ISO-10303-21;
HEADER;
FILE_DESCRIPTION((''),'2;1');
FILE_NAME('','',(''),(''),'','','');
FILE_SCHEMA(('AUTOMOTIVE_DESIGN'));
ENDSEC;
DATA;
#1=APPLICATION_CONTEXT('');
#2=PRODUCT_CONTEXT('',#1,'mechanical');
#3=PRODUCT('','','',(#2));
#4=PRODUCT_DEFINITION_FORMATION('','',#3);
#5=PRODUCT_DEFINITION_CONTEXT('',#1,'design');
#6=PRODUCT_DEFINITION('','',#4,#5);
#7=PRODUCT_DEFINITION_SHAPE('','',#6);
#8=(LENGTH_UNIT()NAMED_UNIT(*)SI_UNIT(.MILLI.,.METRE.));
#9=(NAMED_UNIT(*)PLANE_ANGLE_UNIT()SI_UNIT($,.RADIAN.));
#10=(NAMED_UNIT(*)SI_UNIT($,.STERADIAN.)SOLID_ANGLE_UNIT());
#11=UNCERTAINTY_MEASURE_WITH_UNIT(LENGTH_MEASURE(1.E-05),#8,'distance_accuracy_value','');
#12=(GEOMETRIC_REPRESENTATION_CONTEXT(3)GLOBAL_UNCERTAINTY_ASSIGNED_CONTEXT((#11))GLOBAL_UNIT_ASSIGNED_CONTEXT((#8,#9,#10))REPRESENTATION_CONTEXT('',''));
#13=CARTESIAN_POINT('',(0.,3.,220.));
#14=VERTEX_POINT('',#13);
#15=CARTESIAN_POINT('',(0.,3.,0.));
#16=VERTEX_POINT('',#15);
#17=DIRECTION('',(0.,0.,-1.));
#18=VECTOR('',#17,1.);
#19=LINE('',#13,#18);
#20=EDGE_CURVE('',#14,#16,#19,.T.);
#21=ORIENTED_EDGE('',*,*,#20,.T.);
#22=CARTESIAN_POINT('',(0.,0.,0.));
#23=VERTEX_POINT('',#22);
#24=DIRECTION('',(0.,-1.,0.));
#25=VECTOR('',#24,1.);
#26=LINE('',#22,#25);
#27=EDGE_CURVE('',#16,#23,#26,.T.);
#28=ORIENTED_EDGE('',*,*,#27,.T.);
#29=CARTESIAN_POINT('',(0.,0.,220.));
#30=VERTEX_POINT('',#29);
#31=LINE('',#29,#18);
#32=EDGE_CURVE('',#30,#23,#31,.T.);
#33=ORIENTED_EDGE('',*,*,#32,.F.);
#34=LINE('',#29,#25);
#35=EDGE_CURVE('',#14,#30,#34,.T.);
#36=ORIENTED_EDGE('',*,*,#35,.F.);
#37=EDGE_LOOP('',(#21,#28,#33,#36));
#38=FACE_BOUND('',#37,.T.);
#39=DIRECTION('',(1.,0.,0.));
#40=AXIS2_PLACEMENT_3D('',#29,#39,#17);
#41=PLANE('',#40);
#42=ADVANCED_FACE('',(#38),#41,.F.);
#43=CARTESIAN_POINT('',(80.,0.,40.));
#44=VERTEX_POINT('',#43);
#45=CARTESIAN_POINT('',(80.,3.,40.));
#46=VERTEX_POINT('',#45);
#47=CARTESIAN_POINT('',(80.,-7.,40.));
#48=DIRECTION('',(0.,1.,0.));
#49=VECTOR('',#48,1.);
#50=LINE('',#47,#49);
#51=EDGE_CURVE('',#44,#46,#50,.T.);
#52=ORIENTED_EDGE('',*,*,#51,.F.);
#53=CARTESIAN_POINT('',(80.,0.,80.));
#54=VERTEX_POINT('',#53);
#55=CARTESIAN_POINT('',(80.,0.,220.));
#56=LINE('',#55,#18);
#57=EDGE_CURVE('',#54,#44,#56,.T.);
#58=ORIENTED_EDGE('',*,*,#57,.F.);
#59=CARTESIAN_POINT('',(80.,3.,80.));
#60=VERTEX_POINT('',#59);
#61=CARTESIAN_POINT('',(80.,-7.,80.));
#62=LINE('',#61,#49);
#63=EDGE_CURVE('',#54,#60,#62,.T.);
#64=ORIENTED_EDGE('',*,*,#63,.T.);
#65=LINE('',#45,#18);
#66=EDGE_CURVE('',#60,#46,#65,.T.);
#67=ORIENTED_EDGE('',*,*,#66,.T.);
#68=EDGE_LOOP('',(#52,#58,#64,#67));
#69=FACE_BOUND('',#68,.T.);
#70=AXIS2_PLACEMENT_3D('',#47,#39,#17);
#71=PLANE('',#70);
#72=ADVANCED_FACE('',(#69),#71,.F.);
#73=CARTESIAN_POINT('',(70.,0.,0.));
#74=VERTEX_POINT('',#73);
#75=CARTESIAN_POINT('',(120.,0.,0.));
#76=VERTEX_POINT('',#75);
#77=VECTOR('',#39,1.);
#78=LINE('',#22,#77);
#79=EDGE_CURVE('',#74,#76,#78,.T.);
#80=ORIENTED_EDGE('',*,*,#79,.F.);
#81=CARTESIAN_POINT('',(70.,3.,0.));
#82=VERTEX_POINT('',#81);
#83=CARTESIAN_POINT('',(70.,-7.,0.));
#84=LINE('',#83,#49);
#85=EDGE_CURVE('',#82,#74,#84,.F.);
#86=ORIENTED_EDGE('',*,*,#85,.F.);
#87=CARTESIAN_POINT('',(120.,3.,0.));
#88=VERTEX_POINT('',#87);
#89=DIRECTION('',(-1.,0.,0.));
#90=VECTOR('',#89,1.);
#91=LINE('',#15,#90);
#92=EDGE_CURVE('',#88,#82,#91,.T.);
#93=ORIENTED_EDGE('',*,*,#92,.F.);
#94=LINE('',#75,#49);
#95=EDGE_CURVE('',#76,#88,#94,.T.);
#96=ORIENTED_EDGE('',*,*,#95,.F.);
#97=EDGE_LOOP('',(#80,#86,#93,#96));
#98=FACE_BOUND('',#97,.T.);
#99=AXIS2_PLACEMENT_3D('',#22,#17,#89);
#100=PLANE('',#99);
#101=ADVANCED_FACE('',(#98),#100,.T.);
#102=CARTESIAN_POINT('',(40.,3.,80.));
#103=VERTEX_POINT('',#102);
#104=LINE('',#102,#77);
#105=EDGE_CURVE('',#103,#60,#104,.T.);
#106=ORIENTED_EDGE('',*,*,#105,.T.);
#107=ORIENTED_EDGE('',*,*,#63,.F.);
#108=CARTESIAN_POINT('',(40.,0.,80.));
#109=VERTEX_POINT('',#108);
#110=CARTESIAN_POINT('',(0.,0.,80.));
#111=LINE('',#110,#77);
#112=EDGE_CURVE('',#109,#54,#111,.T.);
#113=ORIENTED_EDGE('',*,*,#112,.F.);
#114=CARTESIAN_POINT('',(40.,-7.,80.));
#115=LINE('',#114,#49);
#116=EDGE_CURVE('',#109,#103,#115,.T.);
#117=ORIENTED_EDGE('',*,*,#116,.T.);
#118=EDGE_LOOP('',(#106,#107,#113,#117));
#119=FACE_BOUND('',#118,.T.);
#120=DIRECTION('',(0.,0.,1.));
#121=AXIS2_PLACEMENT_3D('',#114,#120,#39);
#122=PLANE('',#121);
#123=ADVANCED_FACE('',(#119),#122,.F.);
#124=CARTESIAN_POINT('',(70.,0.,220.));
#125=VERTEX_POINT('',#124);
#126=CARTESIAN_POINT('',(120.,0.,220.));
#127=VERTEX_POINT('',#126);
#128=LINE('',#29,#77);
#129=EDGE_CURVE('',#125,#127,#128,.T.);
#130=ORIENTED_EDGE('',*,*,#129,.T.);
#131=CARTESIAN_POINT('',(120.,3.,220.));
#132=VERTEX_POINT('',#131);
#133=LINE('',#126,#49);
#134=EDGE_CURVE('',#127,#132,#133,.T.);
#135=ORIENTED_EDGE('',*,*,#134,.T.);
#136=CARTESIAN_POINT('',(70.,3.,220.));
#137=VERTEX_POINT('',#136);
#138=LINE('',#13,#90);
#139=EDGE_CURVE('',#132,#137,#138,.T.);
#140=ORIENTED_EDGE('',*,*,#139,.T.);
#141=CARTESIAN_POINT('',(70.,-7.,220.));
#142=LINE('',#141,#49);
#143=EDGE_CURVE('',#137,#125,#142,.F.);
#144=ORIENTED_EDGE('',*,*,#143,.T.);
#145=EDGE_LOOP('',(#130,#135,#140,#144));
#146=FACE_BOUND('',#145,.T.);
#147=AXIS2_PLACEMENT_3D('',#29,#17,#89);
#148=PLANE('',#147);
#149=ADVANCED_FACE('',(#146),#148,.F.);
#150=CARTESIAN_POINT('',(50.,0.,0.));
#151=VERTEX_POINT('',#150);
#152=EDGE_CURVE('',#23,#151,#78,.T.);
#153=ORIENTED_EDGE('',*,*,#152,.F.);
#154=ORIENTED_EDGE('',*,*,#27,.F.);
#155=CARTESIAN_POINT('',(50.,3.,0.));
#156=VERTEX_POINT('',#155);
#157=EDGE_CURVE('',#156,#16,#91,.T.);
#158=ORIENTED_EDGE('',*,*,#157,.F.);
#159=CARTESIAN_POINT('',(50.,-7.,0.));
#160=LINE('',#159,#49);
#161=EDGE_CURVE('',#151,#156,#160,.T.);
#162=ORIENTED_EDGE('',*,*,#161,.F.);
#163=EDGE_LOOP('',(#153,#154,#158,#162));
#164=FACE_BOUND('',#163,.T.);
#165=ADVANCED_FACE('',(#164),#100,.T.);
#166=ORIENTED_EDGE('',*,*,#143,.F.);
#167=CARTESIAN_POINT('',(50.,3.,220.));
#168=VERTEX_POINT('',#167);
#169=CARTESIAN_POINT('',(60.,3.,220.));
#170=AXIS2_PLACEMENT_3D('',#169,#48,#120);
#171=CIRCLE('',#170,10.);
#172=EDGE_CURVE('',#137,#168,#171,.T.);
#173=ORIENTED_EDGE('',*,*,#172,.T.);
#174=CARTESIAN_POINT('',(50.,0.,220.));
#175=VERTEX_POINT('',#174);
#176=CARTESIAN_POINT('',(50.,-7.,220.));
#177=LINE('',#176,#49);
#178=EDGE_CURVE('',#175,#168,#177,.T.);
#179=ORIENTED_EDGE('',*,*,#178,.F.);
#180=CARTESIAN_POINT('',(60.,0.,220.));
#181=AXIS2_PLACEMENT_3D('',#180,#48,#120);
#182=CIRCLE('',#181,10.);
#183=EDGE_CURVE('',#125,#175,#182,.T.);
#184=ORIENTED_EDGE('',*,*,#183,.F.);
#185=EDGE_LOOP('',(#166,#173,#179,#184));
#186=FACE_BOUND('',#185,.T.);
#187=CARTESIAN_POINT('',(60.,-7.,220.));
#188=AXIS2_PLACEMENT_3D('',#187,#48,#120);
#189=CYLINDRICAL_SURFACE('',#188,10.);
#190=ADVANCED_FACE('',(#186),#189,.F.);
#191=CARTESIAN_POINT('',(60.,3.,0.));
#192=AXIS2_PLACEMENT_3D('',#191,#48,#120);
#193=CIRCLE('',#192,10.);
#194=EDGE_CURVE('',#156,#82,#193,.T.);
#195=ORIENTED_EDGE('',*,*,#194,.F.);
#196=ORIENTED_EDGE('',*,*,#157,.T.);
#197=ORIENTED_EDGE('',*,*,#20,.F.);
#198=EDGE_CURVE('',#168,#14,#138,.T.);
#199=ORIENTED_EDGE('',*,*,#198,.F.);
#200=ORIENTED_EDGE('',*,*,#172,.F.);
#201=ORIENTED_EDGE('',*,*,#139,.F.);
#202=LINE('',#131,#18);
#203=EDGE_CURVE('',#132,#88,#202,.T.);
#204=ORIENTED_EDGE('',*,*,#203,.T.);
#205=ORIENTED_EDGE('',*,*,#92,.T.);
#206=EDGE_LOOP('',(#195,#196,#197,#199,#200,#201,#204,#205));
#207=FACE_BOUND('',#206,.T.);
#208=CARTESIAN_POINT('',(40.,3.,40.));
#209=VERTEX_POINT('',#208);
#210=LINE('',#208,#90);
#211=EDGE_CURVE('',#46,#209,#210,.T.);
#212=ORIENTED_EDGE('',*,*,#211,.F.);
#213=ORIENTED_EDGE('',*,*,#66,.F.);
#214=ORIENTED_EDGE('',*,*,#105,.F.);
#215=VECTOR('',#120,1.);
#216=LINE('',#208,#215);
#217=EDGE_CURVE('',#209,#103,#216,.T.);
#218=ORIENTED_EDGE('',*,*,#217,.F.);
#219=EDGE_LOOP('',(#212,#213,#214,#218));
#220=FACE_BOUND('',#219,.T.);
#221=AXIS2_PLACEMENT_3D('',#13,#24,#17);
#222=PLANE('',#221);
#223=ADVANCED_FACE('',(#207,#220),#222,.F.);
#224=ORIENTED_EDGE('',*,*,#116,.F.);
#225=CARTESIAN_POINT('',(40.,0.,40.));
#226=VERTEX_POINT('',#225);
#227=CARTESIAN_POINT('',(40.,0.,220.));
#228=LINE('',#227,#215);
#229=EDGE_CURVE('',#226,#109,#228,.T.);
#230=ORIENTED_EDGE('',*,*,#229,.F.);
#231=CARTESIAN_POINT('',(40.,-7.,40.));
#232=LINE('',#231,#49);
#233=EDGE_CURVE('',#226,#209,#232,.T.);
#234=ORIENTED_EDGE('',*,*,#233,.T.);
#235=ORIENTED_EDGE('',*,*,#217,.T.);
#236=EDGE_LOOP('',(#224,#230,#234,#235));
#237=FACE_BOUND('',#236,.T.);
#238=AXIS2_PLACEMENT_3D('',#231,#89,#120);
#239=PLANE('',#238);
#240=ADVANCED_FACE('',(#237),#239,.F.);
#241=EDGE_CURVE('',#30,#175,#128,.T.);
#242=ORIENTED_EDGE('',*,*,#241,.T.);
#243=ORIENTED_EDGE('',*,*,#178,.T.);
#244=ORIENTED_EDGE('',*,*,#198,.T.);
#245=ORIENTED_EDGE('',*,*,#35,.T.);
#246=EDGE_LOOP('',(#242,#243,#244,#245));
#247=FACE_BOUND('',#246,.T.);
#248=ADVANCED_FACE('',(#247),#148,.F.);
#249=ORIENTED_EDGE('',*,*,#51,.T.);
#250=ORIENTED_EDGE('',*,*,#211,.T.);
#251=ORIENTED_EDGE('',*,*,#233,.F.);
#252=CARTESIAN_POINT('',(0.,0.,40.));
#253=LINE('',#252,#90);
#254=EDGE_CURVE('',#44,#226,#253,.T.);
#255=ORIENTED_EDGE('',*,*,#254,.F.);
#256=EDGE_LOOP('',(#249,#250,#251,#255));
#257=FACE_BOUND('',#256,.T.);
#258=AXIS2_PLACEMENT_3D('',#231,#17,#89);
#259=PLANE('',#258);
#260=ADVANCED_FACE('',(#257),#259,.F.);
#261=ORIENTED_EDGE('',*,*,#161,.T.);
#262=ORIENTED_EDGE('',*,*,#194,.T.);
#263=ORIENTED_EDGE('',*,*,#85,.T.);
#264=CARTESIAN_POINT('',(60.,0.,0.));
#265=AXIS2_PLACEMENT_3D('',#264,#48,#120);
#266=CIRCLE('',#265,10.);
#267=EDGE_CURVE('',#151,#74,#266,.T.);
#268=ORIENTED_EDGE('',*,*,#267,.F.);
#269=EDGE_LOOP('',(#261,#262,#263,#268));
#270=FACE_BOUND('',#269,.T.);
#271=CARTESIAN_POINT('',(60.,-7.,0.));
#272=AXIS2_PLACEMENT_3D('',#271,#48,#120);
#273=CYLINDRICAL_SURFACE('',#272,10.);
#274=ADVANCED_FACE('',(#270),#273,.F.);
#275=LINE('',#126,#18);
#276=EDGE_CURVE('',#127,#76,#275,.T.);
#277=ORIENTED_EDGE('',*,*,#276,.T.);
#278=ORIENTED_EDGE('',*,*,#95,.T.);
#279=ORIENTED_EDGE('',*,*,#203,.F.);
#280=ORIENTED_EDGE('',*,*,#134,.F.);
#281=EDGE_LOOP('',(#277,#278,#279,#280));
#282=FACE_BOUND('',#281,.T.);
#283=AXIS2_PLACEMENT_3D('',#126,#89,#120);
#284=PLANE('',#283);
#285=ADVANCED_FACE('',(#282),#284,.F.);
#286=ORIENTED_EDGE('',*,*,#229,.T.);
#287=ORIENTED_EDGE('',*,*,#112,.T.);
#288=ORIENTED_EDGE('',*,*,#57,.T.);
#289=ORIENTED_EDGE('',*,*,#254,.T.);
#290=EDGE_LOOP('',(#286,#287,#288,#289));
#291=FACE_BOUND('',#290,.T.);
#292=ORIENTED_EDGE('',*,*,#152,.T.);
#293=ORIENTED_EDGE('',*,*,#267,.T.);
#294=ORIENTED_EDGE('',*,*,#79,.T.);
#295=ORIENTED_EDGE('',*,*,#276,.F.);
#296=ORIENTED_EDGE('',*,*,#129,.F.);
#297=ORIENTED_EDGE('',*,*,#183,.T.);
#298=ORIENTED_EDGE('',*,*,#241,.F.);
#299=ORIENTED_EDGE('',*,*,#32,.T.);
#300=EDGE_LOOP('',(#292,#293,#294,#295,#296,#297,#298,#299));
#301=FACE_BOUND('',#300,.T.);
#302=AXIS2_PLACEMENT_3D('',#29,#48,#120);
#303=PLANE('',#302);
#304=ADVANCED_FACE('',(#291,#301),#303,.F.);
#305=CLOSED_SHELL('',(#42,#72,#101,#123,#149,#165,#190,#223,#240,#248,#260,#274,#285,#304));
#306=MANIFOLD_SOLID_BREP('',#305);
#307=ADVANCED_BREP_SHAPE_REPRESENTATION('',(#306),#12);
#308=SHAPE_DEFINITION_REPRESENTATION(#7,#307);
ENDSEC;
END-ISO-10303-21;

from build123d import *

# Parameters (mm, degrees)
SKETCH1_W           = 120
SKETCH1_H           = 3
BOSS_EXTRUDE1_DEPTH = 220
SKETCH2_R           = 10
CUT_EXTRUDE1_DEPTH  = 10
SKETCH4_W           = 40
SKETCH4_H           = 40
CUT_EXTRUDE2_DEPTH  = 10


with BuildPart() as part:
    # Sketch1 → Boss-Extrude1 (new body)
    with BuildSketch(Plane.XY):
        with Locations((60, 1.5)):
            Rectangle(SKETCH1_W, SKETCH1_H)
    extrude(amount=BOSS_EXTRUDE1_DEPTH)

    # Sketch2 → Cut-Extrude1 (cut)
    with BuildSketch(Plane(origin=(0, 3, 0), x_dir=(1, 0, 0), z_dir=(0, 1, 0))):
        with Locations((60, -220)):
            Circle(SKETCH2_R)
        with Locations((60, 0)):
            Circle(SKETCH2_R)
    extrude(amount=-CUT_EXTRUDE1_DEPTH, mode=Mode.SUBTRACT)

    # Sketch4 → Cut-Extrude2 (cut)
    with BuildSketch(Plane(origin=(0, 3, 0), x_dir=(1, 0, 0), z_dir=(0, 1, 0))):
        with Locations((60, -60)):
            Rectangle(SKETCH4_W, SKETCH4_H)
    extrude(amount=-CUT_EXTRUDE2_DEPTH, mode=Mode.SUBTRACT)


solid = part.part
